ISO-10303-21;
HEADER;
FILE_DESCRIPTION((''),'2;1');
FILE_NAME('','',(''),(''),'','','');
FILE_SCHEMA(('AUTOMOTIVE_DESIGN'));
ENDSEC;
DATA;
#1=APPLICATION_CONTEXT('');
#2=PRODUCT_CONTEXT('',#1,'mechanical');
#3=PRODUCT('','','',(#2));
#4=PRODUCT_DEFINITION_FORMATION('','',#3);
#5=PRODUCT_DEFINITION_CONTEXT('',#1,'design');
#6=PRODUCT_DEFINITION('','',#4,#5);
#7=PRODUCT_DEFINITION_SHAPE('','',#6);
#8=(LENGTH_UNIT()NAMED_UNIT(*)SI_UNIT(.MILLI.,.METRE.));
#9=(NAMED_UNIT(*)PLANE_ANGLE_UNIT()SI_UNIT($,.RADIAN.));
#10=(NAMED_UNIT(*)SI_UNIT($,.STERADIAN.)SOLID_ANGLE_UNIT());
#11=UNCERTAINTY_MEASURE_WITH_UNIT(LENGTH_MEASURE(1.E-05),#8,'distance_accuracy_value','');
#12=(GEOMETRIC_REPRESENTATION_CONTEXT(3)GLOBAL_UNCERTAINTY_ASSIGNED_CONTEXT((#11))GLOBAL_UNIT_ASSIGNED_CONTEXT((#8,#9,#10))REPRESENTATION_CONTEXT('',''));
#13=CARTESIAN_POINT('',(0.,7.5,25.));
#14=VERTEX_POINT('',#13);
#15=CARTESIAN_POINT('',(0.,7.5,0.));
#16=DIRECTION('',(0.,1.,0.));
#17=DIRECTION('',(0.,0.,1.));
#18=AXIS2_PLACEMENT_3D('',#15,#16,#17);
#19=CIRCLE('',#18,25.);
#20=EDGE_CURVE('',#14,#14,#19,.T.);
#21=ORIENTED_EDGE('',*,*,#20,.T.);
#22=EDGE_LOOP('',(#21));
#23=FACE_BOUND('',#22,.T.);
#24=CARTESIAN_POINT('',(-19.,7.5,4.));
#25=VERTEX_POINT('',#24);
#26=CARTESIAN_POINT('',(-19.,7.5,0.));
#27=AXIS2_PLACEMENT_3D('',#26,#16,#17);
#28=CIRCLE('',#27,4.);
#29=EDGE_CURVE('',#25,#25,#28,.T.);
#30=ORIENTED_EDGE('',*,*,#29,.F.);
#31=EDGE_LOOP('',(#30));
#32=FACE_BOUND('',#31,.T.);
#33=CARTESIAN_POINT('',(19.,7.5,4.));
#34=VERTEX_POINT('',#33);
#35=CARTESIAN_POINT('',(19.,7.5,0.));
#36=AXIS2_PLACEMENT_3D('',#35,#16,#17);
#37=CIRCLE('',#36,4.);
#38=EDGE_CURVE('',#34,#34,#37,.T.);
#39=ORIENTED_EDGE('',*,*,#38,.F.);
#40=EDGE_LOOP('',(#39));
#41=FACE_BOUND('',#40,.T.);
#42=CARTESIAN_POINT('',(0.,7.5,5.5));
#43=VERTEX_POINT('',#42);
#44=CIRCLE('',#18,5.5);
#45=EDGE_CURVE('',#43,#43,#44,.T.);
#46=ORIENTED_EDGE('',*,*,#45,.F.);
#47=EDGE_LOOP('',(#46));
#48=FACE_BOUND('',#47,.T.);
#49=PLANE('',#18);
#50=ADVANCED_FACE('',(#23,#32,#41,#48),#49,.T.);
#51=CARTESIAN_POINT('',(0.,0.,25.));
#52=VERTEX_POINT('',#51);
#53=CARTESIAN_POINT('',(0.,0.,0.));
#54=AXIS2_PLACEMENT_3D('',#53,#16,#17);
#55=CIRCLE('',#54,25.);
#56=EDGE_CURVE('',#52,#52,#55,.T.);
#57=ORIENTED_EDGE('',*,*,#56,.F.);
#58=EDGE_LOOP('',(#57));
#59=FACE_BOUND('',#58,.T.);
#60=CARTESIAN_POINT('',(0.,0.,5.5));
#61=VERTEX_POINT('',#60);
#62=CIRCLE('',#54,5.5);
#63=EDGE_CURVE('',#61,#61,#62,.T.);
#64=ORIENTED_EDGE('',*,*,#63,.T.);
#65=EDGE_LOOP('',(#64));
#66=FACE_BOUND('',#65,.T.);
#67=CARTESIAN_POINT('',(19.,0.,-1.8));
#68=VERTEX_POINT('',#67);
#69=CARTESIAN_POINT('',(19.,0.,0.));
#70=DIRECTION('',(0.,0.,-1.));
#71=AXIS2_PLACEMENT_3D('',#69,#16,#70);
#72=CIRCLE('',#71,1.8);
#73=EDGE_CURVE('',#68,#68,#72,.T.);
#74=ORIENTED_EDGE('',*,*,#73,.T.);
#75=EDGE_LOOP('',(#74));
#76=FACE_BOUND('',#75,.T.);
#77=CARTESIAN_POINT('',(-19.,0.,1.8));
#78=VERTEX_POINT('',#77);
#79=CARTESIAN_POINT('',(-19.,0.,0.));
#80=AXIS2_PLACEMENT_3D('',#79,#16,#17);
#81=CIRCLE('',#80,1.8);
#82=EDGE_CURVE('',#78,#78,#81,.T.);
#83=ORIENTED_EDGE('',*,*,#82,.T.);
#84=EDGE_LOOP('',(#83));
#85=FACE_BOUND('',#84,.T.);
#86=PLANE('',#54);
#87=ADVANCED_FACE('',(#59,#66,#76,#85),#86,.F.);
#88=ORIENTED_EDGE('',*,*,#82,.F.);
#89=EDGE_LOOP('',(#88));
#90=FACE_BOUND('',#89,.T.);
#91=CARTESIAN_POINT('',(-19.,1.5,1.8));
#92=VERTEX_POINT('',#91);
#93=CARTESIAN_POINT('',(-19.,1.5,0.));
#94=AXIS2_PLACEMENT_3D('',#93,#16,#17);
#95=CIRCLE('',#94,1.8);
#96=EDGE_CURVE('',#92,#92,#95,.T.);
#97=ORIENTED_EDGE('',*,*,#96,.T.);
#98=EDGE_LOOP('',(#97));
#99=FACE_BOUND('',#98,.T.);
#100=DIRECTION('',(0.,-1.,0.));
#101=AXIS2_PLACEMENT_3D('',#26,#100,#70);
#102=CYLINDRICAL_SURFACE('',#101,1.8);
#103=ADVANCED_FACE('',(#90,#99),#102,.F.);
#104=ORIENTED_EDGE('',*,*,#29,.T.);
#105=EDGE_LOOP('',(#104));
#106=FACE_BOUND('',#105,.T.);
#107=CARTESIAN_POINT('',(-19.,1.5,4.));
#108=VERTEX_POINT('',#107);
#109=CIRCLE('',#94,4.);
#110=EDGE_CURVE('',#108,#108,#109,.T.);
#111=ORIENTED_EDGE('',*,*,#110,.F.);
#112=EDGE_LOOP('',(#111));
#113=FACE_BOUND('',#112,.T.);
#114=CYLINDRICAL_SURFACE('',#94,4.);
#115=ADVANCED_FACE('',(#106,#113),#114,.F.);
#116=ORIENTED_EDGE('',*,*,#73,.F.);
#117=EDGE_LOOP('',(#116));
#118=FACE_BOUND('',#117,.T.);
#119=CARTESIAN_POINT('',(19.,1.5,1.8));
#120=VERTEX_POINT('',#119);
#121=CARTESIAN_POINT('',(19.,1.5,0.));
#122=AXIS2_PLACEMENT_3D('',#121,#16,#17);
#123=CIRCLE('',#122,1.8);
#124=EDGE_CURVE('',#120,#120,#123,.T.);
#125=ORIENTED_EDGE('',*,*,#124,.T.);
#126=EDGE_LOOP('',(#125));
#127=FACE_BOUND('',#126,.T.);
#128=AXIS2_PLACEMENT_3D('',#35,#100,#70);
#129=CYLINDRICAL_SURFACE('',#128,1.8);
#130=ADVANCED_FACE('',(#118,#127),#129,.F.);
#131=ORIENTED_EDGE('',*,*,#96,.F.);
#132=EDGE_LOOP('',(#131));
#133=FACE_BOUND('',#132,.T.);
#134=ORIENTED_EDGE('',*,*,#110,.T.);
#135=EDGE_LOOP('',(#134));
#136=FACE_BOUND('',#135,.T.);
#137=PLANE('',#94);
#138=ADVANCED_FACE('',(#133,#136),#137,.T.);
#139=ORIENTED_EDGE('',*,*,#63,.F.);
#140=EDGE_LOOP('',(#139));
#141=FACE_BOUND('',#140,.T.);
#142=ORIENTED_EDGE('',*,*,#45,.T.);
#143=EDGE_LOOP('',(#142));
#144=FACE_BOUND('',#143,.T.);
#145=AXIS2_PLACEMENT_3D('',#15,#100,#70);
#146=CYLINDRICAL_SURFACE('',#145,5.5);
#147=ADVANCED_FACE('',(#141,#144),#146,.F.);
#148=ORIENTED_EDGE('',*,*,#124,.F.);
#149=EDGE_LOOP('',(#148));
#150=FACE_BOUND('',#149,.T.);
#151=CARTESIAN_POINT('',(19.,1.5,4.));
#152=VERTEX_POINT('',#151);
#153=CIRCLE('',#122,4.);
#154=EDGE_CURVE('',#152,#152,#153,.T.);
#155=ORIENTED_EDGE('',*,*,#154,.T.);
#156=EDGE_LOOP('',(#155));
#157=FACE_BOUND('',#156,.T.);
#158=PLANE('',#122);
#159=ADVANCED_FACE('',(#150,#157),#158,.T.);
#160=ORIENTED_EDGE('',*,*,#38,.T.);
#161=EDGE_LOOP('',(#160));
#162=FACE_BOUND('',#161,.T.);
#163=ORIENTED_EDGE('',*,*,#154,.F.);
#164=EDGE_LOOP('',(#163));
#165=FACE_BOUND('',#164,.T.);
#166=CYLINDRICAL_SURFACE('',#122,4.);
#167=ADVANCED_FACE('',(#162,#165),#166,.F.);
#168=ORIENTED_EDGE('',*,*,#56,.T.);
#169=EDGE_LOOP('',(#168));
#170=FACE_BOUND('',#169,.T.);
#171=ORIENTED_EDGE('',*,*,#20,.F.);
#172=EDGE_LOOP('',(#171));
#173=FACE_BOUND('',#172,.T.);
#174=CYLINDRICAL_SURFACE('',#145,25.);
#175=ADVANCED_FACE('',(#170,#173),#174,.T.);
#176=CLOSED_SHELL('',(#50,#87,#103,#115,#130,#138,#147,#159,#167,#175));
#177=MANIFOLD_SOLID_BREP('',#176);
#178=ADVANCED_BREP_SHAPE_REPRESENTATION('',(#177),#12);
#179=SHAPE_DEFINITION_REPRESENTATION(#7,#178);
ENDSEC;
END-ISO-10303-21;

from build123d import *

# Parameters (mm, degrees)
SKETCH1_R           = 25
SKETCH1_R_2         = 1.8
SKETCH1_R_3         = 5.5
BOSS_EXTRUDE1_DEPTH = 7.5
SKETCH2_R           = 4
CUT_EXTRUDE1_DEPTH  = 6


with BuildPart() as part:
    # Sketch1 → Boss-Extrude1 (new body)
    with BuildSketch(Plane(origin=(0, 0, 0), x_dir=(1, 0, 0), z_dir=(0, 1, 0))):
        with Locations(Location((0, 0, 0), (0, 0, 270))):
            Circle(SKETCH1_R)
        with Locations(Location((-19, 0, 0), (0, 0, 270))):
            Circle(SKETCH1_R_2, mode=Mode.SUBTRACT)
        with Locations(Location((19, 0, 0), (0, 0, 90))):
            Circle(SKETCH1_R_2, mode=Mode.SUBTRACT)
        with Locations(Location((0, 0, 0), (0, 0, 270))):
            Circle(SKETCH1_R_3, mode=Mode.SUBTRACT)
    extrude(amount=BOSS_EXTRUDE1_DEPTH)

    # Sketch2 → Cut-Extrude1 (cut)
    with BuildSketch(Plane(origin=(0, 7.5, 0), x_dir=(1, 0, 0), z_dir=(0, 1, 0))):
        with Locations(Location((-19, 0, 0), (0, 0, 270))):
            Circle(SKETCH2_R)
        with Locations(Location((19, 0, 0), (0, 0, 270))):
            Circle(SKETCH2_R)
    extrude(amount=-CUT_EXTRUDE1_DEPTH, mode=Mode.SUBTRACT)


solid = part.part
